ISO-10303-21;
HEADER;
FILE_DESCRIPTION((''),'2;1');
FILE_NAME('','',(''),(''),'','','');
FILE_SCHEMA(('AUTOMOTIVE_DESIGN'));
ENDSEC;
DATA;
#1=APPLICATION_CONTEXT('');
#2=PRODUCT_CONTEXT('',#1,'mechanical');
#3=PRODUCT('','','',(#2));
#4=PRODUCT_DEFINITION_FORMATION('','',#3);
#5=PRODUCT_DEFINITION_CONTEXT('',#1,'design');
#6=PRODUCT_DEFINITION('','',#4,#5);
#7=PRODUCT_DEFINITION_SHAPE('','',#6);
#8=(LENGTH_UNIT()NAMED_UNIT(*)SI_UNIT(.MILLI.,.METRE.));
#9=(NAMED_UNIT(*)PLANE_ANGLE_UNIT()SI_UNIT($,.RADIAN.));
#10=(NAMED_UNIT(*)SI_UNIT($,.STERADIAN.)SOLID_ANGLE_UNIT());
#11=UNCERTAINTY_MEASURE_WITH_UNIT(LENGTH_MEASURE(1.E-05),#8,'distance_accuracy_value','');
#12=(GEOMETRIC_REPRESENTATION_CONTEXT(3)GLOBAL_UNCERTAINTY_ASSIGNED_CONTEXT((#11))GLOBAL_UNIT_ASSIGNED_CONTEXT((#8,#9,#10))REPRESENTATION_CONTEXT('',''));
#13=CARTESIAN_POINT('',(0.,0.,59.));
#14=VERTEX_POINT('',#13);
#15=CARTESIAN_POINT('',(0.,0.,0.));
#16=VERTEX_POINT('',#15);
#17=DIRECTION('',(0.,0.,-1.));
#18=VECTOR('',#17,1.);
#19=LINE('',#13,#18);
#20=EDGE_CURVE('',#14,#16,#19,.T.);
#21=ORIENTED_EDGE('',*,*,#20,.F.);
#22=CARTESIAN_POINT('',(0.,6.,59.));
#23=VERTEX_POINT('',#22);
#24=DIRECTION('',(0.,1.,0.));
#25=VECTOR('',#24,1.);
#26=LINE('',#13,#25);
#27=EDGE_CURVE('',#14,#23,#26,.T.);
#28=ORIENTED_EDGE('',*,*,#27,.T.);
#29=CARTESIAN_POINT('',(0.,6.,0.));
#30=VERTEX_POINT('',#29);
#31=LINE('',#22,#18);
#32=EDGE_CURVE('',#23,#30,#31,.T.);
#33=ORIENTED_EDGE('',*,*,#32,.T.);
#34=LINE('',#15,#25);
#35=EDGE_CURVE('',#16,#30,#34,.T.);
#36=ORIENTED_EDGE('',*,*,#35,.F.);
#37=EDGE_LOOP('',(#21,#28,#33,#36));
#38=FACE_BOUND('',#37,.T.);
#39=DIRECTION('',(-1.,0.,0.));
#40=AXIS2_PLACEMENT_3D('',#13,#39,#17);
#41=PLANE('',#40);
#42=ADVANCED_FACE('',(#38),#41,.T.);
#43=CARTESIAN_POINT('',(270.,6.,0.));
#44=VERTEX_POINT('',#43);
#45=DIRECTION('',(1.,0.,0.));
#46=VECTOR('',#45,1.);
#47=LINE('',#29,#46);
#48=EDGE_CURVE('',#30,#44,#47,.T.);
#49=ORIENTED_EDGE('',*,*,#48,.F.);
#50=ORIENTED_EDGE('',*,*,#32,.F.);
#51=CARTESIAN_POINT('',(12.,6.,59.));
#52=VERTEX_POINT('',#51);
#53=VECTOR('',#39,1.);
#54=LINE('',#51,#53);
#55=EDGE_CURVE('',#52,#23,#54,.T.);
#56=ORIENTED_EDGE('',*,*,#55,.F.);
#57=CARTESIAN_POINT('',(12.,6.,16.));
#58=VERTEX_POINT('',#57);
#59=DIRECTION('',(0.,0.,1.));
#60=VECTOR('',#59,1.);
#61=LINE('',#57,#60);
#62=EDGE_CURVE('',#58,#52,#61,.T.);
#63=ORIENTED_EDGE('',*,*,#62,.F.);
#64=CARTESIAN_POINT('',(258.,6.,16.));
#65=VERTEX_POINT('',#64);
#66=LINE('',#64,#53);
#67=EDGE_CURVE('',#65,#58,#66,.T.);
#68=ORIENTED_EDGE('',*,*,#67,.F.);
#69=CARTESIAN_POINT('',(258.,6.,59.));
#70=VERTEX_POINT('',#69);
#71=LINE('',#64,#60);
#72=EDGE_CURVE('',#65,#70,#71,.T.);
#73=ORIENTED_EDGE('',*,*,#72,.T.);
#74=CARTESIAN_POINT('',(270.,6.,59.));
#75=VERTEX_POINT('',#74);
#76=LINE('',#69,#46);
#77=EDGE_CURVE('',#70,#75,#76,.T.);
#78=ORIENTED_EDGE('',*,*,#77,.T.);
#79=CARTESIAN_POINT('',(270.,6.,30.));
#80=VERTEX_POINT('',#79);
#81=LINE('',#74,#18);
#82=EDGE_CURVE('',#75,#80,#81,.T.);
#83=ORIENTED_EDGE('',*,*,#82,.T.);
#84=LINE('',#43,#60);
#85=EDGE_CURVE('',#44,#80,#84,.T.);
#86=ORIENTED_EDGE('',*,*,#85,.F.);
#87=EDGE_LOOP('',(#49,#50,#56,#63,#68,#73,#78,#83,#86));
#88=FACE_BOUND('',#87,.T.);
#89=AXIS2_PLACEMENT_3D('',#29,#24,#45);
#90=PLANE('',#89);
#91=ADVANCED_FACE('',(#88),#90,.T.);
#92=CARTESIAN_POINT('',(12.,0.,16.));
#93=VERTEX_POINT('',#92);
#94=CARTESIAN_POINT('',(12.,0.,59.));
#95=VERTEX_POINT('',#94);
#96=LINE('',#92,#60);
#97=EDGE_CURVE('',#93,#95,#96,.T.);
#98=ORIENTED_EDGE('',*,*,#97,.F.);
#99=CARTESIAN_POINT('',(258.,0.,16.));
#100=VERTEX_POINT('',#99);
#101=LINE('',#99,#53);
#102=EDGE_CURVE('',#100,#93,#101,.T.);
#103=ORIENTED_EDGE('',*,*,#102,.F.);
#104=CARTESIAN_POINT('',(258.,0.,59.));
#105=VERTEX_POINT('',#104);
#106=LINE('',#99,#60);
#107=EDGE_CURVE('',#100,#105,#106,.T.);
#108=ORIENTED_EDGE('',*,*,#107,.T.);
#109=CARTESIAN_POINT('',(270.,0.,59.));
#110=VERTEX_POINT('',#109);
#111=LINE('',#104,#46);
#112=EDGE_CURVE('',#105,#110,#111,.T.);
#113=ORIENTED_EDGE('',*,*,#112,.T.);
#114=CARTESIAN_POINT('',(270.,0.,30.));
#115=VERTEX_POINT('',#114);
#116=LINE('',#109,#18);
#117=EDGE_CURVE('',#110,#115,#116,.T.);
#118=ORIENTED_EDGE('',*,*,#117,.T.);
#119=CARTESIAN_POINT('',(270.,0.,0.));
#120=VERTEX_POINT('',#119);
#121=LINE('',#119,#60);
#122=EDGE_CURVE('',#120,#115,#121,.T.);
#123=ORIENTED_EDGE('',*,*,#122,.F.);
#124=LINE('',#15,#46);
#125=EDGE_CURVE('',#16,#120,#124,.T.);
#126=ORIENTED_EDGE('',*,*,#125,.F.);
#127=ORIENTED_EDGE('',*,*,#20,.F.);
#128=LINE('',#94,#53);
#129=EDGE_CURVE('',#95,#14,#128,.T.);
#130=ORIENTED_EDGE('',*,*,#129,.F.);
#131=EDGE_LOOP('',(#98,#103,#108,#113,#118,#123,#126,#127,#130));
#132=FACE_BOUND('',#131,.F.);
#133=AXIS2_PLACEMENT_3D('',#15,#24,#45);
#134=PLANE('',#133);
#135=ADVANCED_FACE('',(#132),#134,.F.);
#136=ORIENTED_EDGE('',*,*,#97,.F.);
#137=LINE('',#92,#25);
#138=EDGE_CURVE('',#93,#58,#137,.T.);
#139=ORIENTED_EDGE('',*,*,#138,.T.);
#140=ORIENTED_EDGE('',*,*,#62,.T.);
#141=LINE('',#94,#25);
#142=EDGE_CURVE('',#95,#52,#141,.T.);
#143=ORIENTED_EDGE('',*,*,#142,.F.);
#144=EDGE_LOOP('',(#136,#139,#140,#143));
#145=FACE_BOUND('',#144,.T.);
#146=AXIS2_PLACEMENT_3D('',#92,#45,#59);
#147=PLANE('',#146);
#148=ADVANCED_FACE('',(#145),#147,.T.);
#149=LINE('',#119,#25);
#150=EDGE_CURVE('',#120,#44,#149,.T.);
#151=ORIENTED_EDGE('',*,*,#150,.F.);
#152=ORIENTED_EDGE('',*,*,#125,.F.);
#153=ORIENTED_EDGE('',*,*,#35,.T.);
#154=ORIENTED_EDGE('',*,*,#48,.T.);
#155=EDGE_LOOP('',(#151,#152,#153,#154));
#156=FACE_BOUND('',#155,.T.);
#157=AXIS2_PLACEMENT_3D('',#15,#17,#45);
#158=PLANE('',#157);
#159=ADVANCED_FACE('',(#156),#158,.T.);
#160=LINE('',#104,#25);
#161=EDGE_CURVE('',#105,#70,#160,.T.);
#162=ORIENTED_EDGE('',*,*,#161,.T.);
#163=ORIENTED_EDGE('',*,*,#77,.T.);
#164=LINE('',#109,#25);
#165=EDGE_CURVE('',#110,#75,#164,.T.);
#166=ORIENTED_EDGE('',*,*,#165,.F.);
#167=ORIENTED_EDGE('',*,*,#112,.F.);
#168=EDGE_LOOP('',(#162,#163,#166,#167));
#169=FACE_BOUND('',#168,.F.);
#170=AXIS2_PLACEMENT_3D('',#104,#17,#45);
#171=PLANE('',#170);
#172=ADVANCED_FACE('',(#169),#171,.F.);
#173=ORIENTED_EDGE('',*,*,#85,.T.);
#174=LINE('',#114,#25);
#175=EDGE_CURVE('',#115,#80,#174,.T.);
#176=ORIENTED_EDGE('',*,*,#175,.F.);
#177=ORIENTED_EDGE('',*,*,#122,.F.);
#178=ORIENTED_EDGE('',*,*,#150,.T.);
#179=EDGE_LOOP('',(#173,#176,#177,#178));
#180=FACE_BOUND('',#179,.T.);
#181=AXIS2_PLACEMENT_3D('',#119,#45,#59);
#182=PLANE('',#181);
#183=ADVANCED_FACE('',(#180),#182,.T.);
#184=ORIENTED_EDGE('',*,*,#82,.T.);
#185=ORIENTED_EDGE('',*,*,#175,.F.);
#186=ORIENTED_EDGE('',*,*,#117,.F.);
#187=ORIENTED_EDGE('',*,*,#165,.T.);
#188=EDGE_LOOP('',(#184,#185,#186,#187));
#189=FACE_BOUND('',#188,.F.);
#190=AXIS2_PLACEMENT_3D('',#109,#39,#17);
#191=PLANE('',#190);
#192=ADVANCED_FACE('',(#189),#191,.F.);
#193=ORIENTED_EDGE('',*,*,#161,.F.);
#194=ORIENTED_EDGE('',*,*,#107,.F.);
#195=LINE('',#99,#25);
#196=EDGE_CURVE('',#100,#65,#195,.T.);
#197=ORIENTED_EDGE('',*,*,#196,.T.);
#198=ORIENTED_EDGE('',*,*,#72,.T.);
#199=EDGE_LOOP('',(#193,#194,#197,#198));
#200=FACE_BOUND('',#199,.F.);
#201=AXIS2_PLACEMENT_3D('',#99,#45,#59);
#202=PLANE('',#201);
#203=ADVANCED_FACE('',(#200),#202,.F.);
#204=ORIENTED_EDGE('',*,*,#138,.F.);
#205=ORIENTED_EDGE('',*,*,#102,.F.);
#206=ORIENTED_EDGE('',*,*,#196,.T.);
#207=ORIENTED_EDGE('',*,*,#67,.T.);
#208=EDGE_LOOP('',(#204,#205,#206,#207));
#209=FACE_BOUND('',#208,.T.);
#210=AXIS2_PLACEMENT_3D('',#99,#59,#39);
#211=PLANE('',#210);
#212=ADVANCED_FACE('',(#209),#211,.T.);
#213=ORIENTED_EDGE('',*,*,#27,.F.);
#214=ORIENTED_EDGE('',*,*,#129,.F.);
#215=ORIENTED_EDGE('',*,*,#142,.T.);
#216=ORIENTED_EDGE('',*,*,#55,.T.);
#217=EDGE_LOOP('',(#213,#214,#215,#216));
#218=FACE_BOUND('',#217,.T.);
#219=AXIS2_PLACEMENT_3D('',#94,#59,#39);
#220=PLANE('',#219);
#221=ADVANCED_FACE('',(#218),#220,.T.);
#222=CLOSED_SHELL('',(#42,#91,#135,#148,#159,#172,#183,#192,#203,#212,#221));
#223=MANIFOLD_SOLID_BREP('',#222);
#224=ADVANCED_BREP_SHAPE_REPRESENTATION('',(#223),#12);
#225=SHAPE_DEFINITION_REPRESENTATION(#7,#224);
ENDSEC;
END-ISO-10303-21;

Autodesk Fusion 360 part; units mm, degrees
sketch "Front Panel" plane through (0, 0, 0) normal (0, 1, 0) x (1, 0, 0)
  line L0 (0, 0) -> (270, 0)
  line L1 (270, 0) -> (270, -30)
  line L2 (258, -16) -> (12, -16)
  line L3 (0, -59) -> (0, 0)
  line L4 (12, -16) -> (12, -59)
  line L5 (12, -59) -> (0, -59)
  line L6 (258, -16) -> (258, -59)
  line L7 (258, -59) -> (270, -59)
  line L8 (270, -59) -> (270, -30)
  dimension "d1" = 270
  dimension "d3" = 43
  dimension "d4" = 12
  dimension "d5" = 12
  dimension "d10" = 16
  dimension "d11" = 43
extrude "Extrude1" add sketch "Front Panel" along normal blind 6
equation "mdfThickness = 6 mm" comment "Thickness of the MDF board"
equation "d7 = mdfThickness"
equation "d10 = 10 mm + mdfThickness"
